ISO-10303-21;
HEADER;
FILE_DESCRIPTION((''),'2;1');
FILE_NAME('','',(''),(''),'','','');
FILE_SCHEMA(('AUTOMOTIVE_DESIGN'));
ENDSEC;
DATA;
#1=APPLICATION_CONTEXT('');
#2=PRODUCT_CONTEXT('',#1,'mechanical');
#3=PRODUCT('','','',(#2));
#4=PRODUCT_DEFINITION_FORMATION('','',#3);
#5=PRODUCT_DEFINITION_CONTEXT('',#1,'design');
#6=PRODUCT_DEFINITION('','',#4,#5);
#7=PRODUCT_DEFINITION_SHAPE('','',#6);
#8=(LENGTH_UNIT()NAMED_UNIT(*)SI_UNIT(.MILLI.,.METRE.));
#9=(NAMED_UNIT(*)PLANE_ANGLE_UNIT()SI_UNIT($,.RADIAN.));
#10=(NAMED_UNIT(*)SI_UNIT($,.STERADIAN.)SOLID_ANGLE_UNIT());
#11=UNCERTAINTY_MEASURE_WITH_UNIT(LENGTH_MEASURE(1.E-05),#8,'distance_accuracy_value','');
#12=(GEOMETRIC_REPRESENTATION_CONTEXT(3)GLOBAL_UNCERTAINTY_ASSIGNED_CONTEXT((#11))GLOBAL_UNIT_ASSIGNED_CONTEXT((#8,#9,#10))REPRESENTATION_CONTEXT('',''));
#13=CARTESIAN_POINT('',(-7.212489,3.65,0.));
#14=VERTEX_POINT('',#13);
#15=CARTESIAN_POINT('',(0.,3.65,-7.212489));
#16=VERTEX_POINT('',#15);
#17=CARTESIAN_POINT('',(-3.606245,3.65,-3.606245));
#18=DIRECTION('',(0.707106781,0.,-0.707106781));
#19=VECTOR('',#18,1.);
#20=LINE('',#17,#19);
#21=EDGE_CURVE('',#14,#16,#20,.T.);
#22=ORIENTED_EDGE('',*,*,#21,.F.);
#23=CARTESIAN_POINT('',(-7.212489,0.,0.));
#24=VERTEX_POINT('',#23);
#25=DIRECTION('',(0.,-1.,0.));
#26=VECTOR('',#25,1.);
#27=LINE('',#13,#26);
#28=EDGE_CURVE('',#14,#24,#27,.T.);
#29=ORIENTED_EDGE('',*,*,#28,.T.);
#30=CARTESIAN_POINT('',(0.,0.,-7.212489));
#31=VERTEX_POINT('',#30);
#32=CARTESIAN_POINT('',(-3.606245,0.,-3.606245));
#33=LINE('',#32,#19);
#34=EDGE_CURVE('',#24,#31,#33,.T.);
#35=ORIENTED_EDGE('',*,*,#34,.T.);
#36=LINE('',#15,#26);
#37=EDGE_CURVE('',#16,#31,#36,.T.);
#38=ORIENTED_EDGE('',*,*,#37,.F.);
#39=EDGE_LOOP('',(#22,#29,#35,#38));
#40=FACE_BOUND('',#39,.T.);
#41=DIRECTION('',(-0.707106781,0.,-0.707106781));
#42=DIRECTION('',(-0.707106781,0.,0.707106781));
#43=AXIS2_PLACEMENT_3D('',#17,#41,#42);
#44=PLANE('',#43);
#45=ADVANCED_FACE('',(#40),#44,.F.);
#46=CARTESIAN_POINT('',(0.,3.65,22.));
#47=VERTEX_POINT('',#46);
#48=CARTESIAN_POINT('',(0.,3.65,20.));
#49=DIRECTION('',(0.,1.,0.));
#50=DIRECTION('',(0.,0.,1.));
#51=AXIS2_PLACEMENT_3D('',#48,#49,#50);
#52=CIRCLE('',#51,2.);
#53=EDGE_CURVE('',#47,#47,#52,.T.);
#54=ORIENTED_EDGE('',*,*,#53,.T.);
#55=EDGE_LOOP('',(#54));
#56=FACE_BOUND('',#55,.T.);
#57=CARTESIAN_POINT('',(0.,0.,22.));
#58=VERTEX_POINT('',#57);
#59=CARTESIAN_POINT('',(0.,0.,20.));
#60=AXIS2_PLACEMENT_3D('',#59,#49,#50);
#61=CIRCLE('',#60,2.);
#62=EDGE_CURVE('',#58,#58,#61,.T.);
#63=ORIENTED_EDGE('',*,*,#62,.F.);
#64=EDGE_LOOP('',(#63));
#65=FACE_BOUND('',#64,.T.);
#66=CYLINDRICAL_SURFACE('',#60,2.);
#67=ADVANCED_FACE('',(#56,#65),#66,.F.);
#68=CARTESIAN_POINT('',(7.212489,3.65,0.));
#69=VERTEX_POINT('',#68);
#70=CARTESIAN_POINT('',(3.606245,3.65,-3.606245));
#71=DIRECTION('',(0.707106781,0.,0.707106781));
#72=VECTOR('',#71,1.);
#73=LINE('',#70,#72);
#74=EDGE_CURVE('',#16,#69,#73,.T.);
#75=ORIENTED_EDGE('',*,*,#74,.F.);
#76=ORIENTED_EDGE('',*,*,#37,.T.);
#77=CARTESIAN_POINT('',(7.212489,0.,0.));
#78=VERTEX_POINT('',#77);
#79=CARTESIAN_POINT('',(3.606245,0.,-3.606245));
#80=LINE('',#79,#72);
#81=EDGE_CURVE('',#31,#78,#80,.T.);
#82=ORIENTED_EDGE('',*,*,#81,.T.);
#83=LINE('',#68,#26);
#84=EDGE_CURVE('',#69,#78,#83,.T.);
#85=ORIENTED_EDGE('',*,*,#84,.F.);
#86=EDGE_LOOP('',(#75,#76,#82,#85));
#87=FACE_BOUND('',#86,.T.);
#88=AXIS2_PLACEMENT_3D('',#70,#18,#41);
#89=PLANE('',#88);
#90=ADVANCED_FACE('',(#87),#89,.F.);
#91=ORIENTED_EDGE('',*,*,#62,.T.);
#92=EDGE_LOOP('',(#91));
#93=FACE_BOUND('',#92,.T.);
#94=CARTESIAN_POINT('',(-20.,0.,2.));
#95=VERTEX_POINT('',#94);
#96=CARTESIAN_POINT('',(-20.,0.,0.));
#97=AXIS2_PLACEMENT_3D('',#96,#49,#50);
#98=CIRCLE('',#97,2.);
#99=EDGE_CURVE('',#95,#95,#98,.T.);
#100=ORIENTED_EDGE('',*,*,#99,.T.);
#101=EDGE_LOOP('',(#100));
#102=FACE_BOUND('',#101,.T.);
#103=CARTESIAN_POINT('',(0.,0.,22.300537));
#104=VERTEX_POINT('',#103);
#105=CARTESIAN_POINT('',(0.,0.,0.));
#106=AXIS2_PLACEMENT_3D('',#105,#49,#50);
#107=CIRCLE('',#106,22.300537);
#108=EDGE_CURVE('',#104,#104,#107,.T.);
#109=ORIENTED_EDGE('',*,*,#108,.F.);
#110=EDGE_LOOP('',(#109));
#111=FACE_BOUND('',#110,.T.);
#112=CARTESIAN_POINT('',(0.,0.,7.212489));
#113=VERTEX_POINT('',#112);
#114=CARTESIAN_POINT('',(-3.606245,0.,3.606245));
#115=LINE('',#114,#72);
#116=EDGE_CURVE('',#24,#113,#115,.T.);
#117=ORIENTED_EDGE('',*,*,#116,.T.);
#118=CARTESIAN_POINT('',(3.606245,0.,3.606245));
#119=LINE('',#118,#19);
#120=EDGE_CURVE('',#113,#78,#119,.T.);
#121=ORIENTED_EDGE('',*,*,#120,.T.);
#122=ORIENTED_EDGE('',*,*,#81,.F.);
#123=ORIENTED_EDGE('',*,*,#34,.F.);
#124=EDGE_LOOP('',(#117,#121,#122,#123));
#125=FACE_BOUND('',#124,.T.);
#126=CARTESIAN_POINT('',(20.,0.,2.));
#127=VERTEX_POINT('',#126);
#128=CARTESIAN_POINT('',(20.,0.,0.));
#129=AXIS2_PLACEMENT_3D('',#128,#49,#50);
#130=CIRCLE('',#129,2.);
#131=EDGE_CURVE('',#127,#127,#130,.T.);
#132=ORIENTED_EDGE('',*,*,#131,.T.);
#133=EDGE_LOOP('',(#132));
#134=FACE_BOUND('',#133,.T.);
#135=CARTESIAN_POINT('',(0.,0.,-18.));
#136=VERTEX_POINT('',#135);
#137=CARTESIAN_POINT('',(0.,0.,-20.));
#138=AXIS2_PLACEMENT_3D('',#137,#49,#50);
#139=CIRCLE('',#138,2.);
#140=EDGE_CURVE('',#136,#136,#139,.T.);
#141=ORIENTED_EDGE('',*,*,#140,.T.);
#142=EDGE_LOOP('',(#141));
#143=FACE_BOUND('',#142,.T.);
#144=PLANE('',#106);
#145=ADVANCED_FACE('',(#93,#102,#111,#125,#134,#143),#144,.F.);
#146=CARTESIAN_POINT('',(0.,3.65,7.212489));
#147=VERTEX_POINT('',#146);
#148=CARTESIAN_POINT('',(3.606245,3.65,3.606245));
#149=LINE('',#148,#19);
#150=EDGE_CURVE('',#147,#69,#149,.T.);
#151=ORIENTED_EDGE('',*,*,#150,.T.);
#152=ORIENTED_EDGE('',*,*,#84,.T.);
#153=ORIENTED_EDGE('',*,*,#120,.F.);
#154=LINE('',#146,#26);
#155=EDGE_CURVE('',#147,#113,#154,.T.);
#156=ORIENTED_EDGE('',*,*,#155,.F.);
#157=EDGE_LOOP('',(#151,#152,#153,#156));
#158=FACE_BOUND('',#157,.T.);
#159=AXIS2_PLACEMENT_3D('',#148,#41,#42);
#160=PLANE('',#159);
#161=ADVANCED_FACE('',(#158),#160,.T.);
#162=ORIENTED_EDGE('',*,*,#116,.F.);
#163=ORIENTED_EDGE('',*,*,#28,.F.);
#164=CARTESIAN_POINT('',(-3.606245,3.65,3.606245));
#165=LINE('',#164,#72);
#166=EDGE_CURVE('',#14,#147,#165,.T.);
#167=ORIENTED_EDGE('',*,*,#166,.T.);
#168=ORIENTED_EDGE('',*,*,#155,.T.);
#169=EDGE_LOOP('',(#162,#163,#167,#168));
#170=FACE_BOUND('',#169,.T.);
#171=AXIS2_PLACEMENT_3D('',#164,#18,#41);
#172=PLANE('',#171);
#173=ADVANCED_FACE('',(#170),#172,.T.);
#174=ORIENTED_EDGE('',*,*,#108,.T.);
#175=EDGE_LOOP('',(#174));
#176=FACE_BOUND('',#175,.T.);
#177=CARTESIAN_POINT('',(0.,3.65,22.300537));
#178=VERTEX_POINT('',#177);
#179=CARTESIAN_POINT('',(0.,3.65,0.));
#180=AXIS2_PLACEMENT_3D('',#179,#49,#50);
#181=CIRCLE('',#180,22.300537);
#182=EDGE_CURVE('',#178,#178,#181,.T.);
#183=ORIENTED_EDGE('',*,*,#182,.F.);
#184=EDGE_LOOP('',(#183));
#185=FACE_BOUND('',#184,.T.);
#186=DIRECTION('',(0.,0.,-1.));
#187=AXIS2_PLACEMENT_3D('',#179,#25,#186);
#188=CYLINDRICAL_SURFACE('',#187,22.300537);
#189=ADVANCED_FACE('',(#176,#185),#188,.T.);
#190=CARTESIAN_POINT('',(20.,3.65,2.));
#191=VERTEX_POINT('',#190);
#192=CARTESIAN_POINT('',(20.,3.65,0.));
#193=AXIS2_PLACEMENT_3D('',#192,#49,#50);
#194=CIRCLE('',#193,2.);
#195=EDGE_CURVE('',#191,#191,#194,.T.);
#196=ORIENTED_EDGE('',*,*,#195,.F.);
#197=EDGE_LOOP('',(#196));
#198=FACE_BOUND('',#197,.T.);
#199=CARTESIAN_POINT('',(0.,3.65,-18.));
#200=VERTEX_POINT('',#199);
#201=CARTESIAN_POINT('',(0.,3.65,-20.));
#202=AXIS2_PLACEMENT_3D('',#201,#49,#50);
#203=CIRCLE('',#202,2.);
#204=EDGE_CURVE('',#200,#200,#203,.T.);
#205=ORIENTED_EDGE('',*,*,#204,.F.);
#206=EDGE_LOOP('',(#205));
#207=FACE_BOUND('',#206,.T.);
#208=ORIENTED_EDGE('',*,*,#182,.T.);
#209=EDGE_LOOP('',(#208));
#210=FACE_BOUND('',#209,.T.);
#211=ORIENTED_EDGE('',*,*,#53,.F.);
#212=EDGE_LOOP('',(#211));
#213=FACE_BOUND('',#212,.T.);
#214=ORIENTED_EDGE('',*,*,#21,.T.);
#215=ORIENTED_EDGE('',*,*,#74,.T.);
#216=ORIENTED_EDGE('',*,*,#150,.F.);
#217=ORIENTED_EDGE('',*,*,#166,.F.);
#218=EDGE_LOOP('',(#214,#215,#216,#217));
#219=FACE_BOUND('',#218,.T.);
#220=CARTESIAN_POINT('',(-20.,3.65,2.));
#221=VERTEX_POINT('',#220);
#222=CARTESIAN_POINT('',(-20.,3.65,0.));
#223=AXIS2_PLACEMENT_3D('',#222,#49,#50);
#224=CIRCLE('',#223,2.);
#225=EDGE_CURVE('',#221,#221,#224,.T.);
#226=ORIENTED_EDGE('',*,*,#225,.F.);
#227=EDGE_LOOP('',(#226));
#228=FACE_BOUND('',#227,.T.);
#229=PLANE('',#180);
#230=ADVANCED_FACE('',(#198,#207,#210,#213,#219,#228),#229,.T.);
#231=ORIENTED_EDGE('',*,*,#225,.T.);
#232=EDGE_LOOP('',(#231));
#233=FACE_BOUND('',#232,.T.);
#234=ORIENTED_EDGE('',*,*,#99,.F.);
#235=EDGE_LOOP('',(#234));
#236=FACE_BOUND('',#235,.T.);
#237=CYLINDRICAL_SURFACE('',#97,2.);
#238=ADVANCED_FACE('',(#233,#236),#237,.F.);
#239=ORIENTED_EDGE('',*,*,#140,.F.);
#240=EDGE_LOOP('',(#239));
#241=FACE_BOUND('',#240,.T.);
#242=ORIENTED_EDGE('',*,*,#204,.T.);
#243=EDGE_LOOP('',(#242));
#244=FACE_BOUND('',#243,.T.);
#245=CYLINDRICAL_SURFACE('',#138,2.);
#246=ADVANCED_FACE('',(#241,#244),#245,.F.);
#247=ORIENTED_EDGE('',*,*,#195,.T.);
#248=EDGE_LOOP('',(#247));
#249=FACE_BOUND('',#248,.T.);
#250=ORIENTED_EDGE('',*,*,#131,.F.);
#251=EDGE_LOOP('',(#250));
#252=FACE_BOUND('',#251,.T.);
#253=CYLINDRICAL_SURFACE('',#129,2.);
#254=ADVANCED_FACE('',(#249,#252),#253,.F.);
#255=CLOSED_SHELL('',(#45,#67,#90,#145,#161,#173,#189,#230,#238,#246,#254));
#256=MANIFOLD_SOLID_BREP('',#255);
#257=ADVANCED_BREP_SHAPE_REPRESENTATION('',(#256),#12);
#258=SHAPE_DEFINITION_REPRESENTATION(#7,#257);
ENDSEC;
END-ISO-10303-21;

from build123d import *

# Parameters (mm, degrees)
SKETCH1_R           = 22.300536675
BOSS_EXTRUDE1_DEPTH = 3.65
SKETCH2_R           = 2
CUT_EXTRUDE1_DEPTH  = 32.748234155


with BuildPart() as part:
    # Sketch1 → Boss-Extrude1 (new body)
    with BuildSketch(Plane(origin=(0, 0, 0), x_dir=(1, 0, 0), z_dir=(0, 1, 0))):
        with Locations(Location((0, 0, 0), (0, 0, 270))):
            Circle(SKETCH1_R)
        Polygon((-7.212489168, 0), (0, -7.212489168), (7.212489168, 0), (0, 7.212489168), align=None, mode=Mode.SUBTRACT)
    extrude(amount=BOSS_EXTRUDE1_DEPTH)

    # Sketch2 → Cut-Extrude1 (cut, through all)
    with BuildSketch(Plane(origin=(0, 3.65, 0), x_dir=(1, 0, 0), z_dir=(0, 1, 0))):
        with Locations(Location((0, 20, 0), (0, 0, 270))):
            Circle(SKETCH2_R)
        with Locations(Location((20, 0, 0), (0, 0, 270))):
            Circle(SKETCH2_R)
        with Locations(Location((0, -20, 0), (0, 0, 270))):
            Circle(SKETCH2_R)
        with Locations(Location((-20, 0, 0), (0, 0, 270))):
            Circle(SKETCH2_R)
    extrude(amount=-CUT_EXTRUDE1_DEPTH, mode=Mode.SUBTRACT)


solid = part.part
